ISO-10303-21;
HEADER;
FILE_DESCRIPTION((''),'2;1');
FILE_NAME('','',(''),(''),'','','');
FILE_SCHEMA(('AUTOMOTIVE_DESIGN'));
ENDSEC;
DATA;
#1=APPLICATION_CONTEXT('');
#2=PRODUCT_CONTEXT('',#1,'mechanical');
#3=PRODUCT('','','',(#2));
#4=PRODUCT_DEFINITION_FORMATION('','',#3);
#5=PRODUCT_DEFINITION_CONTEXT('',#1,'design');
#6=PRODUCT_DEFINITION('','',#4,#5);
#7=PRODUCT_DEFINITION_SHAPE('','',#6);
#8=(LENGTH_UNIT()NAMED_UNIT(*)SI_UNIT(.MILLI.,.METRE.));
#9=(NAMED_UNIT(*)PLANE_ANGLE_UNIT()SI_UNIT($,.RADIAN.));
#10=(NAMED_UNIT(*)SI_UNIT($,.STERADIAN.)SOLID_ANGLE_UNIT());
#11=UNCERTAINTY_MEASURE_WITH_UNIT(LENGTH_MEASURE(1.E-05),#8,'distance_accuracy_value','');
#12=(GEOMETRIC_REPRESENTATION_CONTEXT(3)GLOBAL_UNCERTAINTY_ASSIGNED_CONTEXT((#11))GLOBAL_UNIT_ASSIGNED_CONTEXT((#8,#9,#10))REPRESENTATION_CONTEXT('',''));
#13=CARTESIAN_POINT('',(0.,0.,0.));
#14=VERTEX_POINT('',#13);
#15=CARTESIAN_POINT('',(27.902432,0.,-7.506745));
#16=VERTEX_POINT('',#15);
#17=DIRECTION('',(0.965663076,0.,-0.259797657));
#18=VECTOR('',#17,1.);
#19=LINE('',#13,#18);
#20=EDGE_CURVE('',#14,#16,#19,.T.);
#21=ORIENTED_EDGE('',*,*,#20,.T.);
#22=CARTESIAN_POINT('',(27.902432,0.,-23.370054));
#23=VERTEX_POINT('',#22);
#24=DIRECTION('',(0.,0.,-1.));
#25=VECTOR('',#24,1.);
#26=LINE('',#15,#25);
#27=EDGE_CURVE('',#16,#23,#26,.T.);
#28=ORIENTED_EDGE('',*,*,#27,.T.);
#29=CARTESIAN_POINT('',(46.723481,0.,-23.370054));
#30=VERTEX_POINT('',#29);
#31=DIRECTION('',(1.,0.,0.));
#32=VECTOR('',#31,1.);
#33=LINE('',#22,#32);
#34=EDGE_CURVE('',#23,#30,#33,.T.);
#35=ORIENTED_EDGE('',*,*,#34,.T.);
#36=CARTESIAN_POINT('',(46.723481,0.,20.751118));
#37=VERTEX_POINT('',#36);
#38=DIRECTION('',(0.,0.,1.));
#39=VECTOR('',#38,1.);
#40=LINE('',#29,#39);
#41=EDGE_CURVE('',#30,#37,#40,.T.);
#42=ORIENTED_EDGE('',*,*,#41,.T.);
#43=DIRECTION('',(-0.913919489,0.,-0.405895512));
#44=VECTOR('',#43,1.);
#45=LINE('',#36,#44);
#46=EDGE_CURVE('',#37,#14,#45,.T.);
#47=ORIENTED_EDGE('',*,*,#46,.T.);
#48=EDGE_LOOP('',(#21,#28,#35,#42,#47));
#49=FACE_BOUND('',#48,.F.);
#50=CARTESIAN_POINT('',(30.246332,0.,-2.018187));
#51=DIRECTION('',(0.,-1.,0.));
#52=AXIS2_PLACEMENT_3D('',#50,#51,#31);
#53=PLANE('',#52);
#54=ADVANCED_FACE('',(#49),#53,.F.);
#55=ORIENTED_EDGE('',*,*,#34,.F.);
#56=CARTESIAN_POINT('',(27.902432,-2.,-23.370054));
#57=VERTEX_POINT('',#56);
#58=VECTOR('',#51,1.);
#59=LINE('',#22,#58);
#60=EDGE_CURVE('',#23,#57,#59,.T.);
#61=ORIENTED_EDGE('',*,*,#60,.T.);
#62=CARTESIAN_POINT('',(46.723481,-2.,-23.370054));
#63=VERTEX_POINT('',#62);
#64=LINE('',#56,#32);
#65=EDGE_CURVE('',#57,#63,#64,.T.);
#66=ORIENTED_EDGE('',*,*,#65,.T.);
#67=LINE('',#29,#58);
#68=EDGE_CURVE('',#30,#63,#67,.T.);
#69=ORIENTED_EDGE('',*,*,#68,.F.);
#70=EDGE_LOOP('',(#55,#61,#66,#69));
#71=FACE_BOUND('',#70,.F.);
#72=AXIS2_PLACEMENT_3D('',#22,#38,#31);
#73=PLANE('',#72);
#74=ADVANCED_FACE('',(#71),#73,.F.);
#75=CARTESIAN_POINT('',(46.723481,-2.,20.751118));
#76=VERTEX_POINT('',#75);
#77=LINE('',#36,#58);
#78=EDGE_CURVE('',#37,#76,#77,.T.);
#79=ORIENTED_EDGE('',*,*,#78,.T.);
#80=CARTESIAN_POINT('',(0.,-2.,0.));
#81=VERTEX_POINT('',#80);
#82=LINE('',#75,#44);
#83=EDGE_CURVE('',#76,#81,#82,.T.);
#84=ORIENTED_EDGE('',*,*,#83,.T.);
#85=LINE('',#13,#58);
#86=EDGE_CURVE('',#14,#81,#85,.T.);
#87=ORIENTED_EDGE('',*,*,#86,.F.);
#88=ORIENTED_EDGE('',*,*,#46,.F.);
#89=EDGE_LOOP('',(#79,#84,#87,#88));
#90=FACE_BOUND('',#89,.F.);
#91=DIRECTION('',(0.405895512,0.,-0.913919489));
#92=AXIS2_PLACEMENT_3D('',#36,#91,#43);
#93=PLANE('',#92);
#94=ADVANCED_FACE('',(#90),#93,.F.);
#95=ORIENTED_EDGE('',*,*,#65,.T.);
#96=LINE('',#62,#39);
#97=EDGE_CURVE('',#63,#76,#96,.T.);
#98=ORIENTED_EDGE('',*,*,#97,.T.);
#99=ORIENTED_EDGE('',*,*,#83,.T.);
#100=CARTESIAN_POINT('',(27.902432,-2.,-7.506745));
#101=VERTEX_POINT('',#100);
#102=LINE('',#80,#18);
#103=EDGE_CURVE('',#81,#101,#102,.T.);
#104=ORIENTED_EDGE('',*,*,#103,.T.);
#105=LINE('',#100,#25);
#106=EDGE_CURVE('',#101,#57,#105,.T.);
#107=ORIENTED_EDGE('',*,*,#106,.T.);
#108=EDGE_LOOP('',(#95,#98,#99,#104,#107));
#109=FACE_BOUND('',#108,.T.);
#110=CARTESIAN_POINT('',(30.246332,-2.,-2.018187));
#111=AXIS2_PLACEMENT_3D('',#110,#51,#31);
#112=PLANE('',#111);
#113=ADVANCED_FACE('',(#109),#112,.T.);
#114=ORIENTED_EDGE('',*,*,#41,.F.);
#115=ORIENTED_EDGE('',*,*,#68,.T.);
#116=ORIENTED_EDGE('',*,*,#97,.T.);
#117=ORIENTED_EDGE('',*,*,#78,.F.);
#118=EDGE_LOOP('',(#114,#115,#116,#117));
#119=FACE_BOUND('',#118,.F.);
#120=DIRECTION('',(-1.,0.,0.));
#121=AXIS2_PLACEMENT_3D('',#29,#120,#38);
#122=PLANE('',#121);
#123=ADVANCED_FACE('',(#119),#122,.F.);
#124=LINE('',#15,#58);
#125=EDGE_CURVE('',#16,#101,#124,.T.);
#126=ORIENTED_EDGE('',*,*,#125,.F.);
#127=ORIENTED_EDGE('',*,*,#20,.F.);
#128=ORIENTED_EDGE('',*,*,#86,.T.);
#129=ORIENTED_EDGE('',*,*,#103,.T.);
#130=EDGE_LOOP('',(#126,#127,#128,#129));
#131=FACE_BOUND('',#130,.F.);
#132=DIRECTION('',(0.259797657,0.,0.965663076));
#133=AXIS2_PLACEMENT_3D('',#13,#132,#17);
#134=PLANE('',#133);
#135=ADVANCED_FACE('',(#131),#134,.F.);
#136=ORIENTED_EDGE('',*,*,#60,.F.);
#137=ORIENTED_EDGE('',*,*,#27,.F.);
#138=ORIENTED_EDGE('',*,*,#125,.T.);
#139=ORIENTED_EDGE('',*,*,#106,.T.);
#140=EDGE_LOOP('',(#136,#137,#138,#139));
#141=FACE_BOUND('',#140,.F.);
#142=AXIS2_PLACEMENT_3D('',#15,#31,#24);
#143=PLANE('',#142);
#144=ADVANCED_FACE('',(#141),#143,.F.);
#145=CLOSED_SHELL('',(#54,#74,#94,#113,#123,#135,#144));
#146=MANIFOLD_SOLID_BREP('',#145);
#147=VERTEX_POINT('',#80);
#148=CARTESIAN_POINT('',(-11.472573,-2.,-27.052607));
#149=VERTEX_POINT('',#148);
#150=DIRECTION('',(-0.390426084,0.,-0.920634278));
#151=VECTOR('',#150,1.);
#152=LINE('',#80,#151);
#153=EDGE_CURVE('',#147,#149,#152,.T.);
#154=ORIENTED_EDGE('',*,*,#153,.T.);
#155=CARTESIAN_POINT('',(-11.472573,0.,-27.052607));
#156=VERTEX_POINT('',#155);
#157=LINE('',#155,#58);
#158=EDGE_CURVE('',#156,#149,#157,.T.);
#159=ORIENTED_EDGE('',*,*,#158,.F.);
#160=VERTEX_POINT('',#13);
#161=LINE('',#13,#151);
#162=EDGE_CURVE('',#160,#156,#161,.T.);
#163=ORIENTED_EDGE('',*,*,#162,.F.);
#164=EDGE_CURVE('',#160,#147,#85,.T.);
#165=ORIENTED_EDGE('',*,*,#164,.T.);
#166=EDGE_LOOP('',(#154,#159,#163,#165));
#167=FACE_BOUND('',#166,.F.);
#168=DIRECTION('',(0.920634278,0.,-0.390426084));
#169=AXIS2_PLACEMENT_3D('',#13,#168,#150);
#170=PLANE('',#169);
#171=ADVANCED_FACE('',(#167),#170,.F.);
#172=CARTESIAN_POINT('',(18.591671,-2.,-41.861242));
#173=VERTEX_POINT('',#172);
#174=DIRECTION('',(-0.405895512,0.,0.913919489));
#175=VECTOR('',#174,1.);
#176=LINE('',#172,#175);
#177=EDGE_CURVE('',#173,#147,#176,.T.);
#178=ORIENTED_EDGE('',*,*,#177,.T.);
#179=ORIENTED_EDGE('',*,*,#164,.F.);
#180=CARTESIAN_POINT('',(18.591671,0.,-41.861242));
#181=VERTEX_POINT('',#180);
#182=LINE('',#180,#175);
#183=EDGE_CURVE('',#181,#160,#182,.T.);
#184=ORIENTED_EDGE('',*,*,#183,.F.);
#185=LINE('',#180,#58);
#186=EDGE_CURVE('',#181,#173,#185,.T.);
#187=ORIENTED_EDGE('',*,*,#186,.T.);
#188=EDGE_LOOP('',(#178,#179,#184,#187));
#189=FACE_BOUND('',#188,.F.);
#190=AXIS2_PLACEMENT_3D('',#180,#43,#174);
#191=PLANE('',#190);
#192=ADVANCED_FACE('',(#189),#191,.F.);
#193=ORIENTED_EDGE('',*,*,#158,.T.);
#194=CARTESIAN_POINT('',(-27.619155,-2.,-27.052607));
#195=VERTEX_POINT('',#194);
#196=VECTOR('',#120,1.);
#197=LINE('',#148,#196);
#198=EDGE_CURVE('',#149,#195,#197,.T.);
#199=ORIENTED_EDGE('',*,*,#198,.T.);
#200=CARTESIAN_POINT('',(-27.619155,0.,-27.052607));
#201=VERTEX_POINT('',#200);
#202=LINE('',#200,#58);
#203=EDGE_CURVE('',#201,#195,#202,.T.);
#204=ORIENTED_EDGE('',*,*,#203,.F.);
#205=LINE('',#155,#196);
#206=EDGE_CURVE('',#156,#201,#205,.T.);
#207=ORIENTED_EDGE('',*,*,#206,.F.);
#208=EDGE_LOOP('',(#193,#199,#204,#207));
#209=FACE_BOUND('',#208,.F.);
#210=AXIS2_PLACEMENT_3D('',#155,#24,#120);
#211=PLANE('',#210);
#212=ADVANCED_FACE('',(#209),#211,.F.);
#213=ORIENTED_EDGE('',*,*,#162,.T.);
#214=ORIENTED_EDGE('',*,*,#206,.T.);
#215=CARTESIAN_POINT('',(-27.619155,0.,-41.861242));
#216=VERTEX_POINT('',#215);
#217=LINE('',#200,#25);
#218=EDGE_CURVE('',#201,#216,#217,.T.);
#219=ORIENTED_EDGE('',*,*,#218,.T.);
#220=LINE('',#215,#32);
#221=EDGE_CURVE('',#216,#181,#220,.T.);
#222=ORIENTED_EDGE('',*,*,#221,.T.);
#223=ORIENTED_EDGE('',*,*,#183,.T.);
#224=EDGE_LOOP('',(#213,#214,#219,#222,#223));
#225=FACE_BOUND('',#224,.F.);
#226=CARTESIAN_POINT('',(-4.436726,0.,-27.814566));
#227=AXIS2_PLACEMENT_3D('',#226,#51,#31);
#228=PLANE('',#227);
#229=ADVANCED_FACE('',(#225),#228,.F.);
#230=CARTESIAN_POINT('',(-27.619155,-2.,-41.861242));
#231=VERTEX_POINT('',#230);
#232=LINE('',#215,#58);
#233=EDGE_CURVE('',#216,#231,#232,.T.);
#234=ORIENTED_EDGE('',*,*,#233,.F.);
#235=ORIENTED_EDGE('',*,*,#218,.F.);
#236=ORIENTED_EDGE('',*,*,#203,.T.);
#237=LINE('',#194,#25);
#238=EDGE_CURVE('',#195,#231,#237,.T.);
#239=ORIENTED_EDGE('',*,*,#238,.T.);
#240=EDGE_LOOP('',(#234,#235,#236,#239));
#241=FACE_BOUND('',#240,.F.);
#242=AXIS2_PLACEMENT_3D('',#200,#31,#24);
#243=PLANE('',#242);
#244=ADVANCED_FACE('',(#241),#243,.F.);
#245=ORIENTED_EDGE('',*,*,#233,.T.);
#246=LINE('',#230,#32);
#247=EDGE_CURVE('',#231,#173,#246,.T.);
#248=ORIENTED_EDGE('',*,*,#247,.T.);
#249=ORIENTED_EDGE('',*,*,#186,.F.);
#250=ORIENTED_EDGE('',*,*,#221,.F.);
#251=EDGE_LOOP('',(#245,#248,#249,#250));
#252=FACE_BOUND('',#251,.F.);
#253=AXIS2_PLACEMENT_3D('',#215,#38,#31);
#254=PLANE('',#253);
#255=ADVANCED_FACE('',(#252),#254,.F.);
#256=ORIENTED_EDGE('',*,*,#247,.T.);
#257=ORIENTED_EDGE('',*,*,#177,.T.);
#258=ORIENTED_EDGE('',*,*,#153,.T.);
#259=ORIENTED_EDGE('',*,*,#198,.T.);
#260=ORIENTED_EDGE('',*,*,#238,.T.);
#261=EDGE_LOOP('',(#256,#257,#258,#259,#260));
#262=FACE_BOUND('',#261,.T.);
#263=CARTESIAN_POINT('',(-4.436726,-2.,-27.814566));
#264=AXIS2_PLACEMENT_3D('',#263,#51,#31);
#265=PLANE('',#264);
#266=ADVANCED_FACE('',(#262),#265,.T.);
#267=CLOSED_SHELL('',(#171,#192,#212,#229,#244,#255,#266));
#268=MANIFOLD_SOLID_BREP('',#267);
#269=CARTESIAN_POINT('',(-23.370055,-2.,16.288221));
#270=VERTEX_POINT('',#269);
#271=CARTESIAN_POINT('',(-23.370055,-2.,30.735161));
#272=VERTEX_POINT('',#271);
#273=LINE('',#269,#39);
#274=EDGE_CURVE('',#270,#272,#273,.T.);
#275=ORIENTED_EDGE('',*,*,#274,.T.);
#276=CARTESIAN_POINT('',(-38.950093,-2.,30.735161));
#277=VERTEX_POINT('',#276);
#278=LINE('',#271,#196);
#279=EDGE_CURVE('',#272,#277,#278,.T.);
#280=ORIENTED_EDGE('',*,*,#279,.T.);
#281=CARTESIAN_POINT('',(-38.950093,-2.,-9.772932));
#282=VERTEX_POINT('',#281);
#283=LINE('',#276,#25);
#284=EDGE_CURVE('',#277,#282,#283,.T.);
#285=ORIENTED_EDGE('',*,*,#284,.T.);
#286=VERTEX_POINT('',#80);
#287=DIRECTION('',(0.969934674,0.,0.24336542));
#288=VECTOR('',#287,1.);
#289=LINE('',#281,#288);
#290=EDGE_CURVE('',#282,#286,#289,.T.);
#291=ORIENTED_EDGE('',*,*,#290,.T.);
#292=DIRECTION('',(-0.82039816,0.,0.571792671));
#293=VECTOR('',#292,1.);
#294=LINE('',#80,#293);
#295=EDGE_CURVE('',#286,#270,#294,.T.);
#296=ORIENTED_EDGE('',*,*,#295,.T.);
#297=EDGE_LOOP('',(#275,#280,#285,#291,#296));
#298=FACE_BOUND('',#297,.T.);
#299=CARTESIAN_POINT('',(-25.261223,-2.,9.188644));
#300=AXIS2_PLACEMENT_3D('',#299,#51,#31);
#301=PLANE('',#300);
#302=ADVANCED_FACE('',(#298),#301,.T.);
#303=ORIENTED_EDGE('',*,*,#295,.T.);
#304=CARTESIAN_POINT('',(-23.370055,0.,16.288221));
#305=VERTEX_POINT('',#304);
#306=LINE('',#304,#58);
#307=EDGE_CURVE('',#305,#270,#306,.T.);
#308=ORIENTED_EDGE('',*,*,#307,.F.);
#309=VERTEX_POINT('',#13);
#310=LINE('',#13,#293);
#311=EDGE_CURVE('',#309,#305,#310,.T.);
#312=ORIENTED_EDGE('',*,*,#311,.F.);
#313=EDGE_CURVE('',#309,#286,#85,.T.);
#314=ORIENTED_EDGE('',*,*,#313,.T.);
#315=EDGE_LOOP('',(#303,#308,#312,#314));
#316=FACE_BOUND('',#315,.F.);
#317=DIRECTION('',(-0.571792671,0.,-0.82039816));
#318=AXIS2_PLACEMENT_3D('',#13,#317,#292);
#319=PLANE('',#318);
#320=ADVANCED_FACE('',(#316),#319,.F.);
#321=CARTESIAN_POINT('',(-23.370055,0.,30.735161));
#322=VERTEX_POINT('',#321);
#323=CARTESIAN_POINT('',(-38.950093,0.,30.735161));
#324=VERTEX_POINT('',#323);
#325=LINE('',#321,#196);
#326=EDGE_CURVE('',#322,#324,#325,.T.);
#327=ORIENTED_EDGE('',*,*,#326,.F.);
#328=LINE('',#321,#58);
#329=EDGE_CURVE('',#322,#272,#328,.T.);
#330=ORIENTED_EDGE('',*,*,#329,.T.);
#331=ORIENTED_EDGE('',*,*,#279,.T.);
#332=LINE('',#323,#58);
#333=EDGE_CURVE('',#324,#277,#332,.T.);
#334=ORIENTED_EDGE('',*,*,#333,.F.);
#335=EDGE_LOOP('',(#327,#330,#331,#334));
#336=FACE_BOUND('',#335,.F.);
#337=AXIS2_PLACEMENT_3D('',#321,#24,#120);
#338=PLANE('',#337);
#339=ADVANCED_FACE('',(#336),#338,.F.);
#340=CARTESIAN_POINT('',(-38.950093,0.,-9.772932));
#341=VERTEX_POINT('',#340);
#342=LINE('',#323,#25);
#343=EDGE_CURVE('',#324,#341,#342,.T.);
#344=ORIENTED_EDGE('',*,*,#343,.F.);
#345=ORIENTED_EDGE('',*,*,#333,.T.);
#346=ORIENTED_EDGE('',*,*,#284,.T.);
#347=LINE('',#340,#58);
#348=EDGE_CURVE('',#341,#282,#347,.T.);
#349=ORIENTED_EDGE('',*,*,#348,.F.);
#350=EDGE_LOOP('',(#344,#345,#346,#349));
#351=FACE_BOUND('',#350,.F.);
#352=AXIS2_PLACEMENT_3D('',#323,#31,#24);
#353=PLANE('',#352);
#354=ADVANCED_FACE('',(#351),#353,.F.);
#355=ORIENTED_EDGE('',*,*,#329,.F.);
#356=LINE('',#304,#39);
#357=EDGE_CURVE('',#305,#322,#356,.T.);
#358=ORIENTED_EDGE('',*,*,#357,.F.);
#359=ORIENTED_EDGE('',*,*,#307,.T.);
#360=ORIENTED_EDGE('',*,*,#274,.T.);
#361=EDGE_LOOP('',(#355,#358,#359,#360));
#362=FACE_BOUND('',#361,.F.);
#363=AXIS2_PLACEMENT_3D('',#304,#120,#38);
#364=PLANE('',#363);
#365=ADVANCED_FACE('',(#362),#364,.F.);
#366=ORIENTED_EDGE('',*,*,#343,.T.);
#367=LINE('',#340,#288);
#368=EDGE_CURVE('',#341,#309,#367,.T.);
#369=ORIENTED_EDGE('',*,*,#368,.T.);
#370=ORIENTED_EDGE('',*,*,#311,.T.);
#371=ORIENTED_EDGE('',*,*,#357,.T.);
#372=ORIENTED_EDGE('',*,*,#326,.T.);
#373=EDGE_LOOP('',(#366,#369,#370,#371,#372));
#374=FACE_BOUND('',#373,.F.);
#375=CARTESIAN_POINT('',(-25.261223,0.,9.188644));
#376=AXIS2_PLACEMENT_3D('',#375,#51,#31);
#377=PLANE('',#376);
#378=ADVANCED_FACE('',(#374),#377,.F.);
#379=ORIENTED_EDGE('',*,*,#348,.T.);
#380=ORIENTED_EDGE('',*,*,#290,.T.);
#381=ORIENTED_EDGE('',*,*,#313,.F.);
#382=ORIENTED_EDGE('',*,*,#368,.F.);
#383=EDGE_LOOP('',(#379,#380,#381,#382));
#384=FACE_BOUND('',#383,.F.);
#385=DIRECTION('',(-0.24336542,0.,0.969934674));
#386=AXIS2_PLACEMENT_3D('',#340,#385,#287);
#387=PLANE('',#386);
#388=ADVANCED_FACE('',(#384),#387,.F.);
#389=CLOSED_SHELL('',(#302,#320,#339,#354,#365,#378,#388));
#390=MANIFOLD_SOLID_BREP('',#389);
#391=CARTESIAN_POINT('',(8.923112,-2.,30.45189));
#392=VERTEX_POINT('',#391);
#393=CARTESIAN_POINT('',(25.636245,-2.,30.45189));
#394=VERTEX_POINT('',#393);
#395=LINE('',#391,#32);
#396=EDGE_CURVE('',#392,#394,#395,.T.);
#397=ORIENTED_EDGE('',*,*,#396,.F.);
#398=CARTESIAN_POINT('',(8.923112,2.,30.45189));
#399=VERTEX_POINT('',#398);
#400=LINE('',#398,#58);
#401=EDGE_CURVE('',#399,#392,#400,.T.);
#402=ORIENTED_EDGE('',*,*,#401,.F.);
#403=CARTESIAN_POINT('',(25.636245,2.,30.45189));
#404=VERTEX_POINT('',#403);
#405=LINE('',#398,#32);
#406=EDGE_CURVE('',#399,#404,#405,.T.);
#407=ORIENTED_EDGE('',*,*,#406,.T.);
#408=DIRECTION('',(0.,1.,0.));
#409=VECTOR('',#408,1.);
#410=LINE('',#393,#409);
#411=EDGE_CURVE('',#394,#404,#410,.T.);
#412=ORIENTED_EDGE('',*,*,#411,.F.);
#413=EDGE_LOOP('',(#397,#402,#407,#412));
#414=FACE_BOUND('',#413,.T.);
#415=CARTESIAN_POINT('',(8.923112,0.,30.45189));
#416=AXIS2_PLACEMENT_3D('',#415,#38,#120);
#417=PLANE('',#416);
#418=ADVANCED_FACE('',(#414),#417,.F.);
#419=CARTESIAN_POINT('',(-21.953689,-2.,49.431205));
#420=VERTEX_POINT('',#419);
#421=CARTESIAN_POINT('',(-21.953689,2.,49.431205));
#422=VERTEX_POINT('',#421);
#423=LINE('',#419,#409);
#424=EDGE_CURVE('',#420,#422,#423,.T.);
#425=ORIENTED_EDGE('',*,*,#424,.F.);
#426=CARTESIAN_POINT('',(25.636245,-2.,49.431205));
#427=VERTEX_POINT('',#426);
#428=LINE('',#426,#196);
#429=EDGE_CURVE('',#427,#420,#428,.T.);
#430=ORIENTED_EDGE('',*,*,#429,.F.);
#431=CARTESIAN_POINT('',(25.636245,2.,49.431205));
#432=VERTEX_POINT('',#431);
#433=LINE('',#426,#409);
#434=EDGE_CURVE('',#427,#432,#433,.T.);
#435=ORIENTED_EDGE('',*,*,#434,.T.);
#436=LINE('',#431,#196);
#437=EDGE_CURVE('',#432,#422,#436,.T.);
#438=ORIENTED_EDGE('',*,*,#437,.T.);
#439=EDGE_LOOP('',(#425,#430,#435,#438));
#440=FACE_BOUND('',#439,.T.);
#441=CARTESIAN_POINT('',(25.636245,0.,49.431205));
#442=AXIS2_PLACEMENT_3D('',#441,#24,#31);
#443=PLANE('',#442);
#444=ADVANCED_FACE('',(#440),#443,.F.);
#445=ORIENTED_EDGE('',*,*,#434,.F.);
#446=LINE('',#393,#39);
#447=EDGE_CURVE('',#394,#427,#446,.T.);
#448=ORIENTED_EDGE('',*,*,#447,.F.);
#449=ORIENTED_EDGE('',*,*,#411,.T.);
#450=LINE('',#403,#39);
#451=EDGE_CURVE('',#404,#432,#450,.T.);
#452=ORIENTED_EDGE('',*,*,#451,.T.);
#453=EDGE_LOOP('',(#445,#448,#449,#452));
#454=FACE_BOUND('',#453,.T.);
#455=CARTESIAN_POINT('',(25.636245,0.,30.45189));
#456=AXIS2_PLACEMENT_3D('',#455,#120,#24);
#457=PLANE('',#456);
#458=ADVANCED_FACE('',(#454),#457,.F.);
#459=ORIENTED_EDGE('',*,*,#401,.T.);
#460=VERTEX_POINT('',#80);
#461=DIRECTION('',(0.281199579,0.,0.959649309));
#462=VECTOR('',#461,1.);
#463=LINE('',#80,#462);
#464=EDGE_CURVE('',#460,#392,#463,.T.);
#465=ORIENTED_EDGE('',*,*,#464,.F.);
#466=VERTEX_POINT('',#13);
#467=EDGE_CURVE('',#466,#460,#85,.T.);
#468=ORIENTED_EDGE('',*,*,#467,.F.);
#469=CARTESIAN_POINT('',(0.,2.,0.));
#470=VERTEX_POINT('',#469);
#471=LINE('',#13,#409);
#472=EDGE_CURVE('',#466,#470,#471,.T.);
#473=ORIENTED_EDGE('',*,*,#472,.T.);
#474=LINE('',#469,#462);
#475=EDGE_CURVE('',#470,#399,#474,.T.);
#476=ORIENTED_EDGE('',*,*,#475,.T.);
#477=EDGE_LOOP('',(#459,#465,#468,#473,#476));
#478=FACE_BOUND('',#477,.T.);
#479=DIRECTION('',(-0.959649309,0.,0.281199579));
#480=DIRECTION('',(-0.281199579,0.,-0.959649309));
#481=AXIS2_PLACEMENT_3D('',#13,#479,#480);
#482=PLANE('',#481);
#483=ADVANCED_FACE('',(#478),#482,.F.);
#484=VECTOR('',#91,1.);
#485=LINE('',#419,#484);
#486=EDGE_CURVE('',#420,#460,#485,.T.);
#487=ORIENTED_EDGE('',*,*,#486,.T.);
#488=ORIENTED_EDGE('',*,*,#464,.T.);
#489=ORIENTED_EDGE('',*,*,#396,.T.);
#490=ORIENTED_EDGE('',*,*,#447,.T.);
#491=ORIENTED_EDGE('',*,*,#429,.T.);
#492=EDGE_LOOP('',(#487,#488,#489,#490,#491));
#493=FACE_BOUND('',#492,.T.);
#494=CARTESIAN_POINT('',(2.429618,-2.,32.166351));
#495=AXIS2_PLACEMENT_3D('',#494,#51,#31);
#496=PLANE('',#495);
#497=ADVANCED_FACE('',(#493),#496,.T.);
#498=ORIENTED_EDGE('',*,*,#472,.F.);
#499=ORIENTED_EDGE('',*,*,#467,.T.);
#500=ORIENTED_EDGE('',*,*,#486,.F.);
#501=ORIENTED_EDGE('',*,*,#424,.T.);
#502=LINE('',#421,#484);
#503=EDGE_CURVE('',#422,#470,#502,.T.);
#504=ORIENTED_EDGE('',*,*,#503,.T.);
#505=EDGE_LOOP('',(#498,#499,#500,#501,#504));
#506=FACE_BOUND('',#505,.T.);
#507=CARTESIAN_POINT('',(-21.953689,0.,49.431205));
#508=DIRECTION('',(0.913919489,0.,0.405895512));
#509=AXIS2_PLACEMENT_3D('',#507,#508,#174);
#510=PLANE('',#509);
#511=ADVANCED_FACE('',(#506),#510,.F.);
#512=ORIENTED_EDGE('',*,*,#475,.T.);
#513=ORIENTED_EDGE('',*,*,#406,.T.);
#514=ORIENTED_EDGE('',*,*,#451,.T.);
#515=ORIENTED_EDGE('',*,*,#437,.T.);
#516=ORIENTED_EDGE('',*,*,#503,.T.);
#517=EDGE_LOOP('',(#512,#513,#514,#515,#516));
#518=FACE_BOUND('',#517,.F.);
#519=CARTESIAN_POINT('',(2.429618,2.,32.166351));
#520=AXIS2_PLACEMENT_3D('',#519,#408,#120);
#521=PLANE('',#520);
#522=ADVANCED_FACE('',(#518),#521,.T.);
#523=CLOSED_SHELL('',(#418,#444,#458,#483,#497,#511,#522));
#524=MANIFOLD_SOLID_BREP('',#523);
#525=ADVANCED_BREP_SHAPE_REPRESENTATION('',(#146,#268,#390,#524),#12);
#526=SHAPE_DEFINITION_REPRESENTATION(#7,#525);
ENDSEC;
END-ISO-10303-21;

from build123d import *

# Parameters (mm, degrees)
F1_DEPTH = 2


with BuildPart() as f1:
    # F0 (on Front) → F1 (new body)
    with BuildSketch(Plane.XZ):
        Polygon((-21.9536889344, 49.4312047958), (0, 0), (8.9231124148, 30.4518900812), (25.6362445652, 30.4518900812), (25.6362445652, 49.4312047958), align=None)
    extrude(amount=F1_DEPTH)



with BuildPart() as f1b:
    # F0 (on Front) → F1, piece 2 (new body)
    with BuildSketch(Plane.XZ):
        Polygon((46.7234810933, 20.7511181266), (0, 0), (27.9024317861, -7.5067449361), (27.9024317861, -23.3700536191), (46.7234810933, -23.3700536191), align=None)
    extrude(amount=F1_DEPTH)


with BuildPart() as f1c:
    # F0 (on Front) → F1, piece 3 (new body)
    with BuildSketch(Plane.XZ):
        Polygon((18.5916709277, -41.8612423573), (0, 0), (-11.4725725725, -27.0526073873), (-27.6191551238, -27.0526073873), (-27.6191551238, -41.8612423573), align=None)
    extrude(amount=F1_DEPTH)


with BuildPart() as f1d:
    # F0 (on Front) → F1, piece 4 (new body)
    with BuildSketch(Plane.XZ):
        Polygon((-38.9500930905, -9.7729321569), (0, 0), (-23.3700554818, 16.2882208824), (-23.3700554818, 30.7351611555), (-38.9500930905, 30.7351611555), align=None)
    extrude(amount=F1_DEPTH)


with BuildPart() as f1_1:
    add(f1.part)

    add(f1b.part)  # F2 merges F1b

    add(f1c.part)  # F2 merges F1c

    add(f1d.part)  # F2 merges F1d
    # F2: F1 across plane
    add(f1.part.mirror(Plane.XZ))


solid = f1_1.part
